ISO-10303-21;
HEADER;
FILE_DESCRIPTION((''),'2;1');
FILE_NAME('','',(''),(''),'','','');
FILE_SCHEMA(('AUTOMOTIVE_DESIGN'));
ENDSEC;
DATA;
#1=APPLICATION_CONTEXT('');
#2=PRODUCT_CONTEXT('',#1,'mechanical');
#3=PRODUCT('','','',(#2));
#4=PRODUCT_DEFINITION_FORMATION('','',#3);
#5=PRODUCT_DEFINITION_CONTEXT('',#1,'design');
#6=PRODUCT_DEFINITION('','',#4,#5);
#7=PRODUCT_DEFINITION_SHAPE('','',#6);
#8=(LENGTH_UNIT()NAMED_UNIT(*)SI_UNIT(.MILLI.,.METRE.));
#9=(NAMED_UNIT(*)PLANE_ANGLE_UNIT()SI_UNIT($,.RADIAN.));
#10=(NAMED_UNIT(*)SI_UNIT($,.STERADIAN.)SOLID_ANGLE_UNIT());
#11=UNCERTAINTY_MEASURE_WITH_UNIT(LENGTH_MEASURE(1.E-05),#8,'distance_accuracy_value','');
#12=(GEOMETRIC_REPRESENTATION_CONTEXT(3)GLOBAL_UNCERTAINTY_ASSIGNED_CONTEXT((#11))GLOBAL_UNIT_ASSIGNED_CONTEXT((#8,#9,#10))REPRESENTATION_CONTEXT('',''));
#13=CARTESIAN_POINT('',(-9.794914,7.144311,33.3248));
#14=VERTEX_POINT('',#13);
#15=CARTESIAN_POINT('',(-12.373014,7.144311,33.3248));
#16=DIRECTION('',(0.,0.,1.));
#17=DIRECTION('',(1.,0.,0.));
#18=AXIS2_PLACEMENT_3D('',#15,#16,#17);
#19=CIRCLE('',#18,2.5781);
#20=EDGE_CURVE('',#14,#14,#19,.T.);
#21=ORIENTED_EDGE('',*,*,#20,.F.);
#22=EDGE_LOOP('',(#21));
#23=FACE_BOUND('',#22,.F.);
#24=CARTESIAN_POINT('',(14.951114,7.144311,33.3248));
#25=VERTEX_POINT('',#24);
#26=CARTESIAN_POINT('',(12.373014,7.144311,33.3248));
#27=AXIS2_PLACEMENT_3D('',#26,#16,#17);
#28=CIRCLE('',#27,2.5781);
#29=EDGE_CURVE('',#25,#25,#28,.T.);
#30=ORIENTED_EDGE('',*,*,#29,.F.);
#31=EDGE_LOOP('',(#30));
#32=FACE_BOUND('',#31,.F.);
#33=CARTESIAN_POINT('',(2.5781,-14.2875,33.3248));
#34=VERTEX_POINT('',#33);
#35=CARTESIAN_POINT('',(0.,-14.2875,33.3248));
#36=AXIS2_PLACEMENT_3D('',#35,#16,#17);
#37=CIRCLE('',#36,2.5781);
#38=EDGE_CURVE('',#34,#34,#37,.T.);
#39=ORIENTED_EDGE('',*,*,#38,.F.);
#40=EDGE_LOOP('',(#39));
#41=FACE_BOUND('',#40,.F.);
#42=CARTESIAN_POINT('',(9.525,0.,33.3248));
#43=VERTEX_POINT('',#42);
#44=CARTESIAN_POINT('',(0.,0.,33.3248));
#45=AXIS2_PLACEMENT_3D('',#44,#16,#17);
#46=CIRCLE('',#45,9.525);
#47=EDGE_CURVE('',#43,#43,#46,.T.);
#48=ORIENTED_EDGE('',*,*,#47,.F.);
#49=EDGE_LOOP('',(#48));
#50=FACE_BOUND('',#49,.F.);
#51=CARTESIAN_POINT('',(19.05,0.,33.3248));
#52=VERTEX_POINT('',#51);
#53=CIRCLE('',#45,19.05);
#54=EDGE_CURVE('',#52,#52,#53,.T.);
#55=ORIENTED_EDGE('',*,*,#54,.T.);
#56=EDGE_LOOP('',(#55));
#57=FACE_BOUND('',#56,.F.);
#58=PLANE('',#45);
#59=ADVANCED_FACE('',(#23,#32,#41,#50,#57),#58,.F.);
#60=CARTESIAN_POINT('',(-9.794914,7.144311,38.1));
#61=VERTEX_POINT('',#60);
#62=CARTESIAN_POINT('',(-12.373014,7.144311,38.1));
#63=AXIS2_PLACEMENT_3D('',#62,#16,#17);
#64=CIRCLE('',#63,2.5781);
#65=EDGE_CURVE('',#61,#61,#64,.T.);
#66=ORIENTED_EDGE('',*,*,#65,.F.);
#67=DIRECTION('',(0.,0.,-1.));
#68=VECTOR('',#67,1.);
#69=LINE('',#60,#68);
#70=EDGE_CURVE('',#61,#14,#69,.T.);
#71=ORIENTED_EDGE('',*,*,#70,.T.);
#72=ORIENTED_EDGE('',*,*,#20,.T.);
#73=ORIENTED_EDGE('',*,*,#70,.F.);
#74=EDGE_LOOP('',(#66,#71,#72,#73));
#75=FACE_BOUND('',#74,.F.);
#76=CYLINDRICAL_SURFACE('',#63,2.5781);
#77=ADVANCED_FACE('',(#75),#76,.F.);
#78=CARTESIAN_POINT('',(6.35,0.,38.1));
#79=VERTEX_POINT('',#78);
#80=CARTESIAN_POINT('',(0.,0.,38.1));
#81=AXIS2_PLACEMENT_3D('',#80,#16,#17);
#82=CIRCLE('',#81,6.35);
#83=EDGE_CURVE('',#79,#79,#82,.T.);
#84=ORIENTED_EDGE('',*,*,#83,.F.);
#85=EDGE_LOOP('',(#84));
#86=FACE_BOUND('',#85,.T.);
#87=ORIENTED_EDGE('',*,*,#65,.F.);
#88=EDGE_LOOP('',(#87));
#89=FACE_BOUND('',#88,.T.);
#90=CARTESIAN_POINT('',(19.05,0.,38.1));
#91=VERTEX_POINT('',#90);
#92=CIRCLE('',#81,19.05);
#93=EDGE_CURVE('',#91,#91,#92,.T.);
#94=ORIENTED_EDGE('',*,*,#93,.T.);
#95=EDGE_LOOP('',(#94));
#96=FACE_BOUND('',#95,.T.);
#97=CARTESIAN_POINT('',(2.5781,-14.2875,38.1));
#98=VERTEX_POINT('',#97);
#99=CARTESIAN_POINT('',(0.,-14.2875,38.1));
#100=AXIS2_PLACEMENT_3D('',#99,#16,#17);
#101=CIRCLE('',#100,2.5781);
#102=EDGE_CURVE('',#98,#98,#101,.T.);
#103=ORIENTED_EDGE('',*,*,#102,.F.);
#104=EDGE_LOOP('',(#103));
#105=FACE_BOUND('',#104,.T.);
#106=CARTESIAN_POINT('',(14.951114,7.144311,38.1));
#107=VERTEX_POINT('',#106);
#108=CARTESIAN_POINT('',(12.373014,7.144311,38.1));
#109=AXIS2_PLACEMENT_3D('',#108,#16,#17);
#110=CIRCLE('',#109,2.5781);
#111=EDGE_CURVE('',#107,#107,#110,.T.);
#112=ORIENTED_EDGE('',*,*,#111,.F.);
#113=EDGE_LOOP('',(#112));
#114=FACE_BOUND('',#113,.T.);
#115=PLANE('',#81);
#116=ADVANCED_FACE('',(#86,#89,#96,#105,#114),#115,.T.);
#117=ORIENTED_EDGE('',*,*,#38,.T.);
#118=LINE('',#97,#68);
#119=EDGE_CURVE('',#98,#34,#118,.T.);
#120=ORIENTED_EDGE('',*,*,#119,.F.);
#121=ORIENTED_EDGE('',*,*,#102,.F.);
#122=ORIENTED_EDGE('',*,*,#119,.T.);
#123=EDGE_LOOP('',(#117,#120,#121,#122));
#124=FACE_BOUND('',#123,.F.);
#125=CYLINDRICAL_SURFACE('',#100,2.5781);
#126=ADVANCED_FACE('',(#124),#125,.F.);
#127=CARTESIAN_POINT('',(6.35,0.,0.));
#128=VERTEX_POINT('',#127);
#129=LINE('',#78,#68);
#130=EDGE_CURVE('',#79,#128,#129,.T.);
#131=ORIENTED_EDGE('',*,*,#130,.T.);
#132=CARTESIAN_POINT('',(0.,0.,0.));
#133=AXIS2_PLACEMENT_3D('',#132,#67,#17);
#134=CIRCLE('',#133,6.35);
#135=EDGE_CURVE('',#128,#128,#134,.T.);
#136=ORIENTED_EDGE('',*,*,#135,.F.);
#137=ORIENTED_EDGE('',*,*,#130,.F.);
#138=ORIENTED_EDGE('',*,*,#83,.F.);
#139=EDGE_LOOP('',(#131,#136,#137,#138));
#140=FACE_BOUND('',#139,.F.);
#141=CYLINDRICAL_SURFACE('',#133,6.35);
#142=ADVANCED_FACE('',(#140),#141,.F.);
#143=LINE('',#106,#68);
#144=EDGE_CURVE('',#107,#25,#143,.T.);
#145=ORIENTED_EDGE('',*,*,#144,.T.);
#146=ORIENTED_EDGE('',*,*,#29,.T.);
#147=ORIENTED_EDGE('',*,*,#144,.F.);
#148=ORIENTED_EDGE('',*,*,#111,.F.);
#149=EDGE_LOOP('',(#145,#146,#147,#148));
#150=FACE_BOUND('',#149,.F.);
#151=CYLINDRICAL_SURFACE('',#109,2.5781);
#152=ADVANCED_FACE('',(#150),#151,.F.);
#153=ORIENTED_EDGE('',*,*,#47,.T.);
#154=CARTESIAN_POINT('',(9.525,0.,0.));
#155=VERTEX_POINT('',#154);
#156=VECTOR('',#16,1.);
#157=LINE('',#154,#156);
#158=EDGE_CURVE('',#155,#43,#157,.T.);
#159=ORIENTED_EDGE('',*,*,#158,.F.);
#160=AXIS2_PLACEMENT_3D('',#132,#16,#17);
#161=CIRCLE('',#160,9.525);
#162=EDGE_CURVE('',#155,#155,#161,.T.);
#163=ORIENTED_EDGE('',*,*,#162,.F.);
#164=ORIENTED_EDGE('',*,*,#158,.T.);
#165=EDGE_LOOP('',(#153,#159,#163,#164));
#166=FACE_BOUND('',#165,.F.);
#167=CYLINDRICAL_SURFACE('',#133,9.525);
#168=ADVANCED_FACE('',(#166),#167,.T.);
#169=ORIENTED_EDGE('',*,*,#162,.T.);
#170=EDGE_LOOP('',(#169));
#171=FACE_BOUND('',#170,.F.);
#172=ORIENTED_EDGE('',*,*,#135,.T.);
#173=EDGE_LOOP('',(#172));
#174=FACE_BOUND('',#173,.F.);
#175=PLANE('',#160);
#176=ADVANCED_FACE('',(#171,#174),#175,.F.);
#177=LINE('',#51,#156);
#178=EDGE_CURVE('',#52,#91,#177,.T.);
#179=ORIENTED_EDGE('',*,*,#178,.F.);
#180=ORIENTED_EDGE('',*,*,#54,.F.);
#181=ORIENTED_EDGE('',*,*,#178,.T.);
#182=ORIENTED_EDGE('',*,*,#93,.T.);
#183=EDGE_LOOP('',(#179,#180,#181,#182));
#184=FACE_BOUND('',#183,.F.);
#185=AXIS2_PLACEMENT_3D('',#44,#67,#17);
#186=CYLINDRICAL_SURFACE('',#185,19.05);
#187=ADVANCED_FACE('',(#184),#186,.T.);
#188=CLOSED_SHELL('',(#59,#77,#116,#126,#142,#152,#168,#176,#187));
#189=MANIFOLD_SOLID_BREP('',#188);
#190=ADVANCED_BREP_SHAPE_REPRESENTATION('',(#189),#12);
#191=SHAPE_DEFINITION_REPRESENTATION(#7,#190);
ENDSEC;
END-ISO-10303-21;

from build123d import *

# Parameters (mm, degrees)
CYLINDER_R        = 9.525
CYLINDER_DEPTH    = 33.3248
SKETCH001_R       = 6.35
POCKET001_DEPTH   = 33.3258
CYLINDER001_R     = 19.05
CYLINDER001_DEPTH = 4.7752
SKETCH_R          = 2.5781
SKETCH_R_2        = 6.35
POCKET_DEPTH      = 4.7762


with BuildPart() as pocket001:
    # Cylinder → Cylinder (new body)
    with BuildSketch(Plane.XY):
        Circle(CYLINDER_R)
    extrude(amount=CYLINDER_DEPTH)

    # Sketch001 → Pocket001 (cut, through all)
    with BuildSketch(Plane(origin=(0, 0, 0), x_dir=(1, 0, 0), z_dir=(0, 0, -1))):
        Circle(SKETCH001_R)
    extrude(amount=-POCKET001_DEPTH, mode=Mode.SUBTRACT)


with BuildPart() as part:
    # Cylinder001 → Cylinder001 (new body)
    with BuildSketch(Plane.XY.offset(33.3248)):
        Circle(CYLINDER001_R)
    extrude(amount=CYLINDER001_DEPTH)

    # Sketch → Pocket (cut, through all)
    with BuildSketch(Plane.XY.offset(38.1)):
        with Locations((-12.373014, 7.144311)):
            Circle(SKETCH_R)
        with Locations((0, -14.2875)):
            Circle(SKETCH_R)
        with Locations((12.373014, 7.144311)):
            Circle(SKETCH_R)
        Circle(SKETCH_R_2)
    extrude(amount=-POCKET_DEPTH, mode=Mode.SUBTRACT)

    # Fusion: union Pocket001
    add(pocket001.part)


solid = part.part
